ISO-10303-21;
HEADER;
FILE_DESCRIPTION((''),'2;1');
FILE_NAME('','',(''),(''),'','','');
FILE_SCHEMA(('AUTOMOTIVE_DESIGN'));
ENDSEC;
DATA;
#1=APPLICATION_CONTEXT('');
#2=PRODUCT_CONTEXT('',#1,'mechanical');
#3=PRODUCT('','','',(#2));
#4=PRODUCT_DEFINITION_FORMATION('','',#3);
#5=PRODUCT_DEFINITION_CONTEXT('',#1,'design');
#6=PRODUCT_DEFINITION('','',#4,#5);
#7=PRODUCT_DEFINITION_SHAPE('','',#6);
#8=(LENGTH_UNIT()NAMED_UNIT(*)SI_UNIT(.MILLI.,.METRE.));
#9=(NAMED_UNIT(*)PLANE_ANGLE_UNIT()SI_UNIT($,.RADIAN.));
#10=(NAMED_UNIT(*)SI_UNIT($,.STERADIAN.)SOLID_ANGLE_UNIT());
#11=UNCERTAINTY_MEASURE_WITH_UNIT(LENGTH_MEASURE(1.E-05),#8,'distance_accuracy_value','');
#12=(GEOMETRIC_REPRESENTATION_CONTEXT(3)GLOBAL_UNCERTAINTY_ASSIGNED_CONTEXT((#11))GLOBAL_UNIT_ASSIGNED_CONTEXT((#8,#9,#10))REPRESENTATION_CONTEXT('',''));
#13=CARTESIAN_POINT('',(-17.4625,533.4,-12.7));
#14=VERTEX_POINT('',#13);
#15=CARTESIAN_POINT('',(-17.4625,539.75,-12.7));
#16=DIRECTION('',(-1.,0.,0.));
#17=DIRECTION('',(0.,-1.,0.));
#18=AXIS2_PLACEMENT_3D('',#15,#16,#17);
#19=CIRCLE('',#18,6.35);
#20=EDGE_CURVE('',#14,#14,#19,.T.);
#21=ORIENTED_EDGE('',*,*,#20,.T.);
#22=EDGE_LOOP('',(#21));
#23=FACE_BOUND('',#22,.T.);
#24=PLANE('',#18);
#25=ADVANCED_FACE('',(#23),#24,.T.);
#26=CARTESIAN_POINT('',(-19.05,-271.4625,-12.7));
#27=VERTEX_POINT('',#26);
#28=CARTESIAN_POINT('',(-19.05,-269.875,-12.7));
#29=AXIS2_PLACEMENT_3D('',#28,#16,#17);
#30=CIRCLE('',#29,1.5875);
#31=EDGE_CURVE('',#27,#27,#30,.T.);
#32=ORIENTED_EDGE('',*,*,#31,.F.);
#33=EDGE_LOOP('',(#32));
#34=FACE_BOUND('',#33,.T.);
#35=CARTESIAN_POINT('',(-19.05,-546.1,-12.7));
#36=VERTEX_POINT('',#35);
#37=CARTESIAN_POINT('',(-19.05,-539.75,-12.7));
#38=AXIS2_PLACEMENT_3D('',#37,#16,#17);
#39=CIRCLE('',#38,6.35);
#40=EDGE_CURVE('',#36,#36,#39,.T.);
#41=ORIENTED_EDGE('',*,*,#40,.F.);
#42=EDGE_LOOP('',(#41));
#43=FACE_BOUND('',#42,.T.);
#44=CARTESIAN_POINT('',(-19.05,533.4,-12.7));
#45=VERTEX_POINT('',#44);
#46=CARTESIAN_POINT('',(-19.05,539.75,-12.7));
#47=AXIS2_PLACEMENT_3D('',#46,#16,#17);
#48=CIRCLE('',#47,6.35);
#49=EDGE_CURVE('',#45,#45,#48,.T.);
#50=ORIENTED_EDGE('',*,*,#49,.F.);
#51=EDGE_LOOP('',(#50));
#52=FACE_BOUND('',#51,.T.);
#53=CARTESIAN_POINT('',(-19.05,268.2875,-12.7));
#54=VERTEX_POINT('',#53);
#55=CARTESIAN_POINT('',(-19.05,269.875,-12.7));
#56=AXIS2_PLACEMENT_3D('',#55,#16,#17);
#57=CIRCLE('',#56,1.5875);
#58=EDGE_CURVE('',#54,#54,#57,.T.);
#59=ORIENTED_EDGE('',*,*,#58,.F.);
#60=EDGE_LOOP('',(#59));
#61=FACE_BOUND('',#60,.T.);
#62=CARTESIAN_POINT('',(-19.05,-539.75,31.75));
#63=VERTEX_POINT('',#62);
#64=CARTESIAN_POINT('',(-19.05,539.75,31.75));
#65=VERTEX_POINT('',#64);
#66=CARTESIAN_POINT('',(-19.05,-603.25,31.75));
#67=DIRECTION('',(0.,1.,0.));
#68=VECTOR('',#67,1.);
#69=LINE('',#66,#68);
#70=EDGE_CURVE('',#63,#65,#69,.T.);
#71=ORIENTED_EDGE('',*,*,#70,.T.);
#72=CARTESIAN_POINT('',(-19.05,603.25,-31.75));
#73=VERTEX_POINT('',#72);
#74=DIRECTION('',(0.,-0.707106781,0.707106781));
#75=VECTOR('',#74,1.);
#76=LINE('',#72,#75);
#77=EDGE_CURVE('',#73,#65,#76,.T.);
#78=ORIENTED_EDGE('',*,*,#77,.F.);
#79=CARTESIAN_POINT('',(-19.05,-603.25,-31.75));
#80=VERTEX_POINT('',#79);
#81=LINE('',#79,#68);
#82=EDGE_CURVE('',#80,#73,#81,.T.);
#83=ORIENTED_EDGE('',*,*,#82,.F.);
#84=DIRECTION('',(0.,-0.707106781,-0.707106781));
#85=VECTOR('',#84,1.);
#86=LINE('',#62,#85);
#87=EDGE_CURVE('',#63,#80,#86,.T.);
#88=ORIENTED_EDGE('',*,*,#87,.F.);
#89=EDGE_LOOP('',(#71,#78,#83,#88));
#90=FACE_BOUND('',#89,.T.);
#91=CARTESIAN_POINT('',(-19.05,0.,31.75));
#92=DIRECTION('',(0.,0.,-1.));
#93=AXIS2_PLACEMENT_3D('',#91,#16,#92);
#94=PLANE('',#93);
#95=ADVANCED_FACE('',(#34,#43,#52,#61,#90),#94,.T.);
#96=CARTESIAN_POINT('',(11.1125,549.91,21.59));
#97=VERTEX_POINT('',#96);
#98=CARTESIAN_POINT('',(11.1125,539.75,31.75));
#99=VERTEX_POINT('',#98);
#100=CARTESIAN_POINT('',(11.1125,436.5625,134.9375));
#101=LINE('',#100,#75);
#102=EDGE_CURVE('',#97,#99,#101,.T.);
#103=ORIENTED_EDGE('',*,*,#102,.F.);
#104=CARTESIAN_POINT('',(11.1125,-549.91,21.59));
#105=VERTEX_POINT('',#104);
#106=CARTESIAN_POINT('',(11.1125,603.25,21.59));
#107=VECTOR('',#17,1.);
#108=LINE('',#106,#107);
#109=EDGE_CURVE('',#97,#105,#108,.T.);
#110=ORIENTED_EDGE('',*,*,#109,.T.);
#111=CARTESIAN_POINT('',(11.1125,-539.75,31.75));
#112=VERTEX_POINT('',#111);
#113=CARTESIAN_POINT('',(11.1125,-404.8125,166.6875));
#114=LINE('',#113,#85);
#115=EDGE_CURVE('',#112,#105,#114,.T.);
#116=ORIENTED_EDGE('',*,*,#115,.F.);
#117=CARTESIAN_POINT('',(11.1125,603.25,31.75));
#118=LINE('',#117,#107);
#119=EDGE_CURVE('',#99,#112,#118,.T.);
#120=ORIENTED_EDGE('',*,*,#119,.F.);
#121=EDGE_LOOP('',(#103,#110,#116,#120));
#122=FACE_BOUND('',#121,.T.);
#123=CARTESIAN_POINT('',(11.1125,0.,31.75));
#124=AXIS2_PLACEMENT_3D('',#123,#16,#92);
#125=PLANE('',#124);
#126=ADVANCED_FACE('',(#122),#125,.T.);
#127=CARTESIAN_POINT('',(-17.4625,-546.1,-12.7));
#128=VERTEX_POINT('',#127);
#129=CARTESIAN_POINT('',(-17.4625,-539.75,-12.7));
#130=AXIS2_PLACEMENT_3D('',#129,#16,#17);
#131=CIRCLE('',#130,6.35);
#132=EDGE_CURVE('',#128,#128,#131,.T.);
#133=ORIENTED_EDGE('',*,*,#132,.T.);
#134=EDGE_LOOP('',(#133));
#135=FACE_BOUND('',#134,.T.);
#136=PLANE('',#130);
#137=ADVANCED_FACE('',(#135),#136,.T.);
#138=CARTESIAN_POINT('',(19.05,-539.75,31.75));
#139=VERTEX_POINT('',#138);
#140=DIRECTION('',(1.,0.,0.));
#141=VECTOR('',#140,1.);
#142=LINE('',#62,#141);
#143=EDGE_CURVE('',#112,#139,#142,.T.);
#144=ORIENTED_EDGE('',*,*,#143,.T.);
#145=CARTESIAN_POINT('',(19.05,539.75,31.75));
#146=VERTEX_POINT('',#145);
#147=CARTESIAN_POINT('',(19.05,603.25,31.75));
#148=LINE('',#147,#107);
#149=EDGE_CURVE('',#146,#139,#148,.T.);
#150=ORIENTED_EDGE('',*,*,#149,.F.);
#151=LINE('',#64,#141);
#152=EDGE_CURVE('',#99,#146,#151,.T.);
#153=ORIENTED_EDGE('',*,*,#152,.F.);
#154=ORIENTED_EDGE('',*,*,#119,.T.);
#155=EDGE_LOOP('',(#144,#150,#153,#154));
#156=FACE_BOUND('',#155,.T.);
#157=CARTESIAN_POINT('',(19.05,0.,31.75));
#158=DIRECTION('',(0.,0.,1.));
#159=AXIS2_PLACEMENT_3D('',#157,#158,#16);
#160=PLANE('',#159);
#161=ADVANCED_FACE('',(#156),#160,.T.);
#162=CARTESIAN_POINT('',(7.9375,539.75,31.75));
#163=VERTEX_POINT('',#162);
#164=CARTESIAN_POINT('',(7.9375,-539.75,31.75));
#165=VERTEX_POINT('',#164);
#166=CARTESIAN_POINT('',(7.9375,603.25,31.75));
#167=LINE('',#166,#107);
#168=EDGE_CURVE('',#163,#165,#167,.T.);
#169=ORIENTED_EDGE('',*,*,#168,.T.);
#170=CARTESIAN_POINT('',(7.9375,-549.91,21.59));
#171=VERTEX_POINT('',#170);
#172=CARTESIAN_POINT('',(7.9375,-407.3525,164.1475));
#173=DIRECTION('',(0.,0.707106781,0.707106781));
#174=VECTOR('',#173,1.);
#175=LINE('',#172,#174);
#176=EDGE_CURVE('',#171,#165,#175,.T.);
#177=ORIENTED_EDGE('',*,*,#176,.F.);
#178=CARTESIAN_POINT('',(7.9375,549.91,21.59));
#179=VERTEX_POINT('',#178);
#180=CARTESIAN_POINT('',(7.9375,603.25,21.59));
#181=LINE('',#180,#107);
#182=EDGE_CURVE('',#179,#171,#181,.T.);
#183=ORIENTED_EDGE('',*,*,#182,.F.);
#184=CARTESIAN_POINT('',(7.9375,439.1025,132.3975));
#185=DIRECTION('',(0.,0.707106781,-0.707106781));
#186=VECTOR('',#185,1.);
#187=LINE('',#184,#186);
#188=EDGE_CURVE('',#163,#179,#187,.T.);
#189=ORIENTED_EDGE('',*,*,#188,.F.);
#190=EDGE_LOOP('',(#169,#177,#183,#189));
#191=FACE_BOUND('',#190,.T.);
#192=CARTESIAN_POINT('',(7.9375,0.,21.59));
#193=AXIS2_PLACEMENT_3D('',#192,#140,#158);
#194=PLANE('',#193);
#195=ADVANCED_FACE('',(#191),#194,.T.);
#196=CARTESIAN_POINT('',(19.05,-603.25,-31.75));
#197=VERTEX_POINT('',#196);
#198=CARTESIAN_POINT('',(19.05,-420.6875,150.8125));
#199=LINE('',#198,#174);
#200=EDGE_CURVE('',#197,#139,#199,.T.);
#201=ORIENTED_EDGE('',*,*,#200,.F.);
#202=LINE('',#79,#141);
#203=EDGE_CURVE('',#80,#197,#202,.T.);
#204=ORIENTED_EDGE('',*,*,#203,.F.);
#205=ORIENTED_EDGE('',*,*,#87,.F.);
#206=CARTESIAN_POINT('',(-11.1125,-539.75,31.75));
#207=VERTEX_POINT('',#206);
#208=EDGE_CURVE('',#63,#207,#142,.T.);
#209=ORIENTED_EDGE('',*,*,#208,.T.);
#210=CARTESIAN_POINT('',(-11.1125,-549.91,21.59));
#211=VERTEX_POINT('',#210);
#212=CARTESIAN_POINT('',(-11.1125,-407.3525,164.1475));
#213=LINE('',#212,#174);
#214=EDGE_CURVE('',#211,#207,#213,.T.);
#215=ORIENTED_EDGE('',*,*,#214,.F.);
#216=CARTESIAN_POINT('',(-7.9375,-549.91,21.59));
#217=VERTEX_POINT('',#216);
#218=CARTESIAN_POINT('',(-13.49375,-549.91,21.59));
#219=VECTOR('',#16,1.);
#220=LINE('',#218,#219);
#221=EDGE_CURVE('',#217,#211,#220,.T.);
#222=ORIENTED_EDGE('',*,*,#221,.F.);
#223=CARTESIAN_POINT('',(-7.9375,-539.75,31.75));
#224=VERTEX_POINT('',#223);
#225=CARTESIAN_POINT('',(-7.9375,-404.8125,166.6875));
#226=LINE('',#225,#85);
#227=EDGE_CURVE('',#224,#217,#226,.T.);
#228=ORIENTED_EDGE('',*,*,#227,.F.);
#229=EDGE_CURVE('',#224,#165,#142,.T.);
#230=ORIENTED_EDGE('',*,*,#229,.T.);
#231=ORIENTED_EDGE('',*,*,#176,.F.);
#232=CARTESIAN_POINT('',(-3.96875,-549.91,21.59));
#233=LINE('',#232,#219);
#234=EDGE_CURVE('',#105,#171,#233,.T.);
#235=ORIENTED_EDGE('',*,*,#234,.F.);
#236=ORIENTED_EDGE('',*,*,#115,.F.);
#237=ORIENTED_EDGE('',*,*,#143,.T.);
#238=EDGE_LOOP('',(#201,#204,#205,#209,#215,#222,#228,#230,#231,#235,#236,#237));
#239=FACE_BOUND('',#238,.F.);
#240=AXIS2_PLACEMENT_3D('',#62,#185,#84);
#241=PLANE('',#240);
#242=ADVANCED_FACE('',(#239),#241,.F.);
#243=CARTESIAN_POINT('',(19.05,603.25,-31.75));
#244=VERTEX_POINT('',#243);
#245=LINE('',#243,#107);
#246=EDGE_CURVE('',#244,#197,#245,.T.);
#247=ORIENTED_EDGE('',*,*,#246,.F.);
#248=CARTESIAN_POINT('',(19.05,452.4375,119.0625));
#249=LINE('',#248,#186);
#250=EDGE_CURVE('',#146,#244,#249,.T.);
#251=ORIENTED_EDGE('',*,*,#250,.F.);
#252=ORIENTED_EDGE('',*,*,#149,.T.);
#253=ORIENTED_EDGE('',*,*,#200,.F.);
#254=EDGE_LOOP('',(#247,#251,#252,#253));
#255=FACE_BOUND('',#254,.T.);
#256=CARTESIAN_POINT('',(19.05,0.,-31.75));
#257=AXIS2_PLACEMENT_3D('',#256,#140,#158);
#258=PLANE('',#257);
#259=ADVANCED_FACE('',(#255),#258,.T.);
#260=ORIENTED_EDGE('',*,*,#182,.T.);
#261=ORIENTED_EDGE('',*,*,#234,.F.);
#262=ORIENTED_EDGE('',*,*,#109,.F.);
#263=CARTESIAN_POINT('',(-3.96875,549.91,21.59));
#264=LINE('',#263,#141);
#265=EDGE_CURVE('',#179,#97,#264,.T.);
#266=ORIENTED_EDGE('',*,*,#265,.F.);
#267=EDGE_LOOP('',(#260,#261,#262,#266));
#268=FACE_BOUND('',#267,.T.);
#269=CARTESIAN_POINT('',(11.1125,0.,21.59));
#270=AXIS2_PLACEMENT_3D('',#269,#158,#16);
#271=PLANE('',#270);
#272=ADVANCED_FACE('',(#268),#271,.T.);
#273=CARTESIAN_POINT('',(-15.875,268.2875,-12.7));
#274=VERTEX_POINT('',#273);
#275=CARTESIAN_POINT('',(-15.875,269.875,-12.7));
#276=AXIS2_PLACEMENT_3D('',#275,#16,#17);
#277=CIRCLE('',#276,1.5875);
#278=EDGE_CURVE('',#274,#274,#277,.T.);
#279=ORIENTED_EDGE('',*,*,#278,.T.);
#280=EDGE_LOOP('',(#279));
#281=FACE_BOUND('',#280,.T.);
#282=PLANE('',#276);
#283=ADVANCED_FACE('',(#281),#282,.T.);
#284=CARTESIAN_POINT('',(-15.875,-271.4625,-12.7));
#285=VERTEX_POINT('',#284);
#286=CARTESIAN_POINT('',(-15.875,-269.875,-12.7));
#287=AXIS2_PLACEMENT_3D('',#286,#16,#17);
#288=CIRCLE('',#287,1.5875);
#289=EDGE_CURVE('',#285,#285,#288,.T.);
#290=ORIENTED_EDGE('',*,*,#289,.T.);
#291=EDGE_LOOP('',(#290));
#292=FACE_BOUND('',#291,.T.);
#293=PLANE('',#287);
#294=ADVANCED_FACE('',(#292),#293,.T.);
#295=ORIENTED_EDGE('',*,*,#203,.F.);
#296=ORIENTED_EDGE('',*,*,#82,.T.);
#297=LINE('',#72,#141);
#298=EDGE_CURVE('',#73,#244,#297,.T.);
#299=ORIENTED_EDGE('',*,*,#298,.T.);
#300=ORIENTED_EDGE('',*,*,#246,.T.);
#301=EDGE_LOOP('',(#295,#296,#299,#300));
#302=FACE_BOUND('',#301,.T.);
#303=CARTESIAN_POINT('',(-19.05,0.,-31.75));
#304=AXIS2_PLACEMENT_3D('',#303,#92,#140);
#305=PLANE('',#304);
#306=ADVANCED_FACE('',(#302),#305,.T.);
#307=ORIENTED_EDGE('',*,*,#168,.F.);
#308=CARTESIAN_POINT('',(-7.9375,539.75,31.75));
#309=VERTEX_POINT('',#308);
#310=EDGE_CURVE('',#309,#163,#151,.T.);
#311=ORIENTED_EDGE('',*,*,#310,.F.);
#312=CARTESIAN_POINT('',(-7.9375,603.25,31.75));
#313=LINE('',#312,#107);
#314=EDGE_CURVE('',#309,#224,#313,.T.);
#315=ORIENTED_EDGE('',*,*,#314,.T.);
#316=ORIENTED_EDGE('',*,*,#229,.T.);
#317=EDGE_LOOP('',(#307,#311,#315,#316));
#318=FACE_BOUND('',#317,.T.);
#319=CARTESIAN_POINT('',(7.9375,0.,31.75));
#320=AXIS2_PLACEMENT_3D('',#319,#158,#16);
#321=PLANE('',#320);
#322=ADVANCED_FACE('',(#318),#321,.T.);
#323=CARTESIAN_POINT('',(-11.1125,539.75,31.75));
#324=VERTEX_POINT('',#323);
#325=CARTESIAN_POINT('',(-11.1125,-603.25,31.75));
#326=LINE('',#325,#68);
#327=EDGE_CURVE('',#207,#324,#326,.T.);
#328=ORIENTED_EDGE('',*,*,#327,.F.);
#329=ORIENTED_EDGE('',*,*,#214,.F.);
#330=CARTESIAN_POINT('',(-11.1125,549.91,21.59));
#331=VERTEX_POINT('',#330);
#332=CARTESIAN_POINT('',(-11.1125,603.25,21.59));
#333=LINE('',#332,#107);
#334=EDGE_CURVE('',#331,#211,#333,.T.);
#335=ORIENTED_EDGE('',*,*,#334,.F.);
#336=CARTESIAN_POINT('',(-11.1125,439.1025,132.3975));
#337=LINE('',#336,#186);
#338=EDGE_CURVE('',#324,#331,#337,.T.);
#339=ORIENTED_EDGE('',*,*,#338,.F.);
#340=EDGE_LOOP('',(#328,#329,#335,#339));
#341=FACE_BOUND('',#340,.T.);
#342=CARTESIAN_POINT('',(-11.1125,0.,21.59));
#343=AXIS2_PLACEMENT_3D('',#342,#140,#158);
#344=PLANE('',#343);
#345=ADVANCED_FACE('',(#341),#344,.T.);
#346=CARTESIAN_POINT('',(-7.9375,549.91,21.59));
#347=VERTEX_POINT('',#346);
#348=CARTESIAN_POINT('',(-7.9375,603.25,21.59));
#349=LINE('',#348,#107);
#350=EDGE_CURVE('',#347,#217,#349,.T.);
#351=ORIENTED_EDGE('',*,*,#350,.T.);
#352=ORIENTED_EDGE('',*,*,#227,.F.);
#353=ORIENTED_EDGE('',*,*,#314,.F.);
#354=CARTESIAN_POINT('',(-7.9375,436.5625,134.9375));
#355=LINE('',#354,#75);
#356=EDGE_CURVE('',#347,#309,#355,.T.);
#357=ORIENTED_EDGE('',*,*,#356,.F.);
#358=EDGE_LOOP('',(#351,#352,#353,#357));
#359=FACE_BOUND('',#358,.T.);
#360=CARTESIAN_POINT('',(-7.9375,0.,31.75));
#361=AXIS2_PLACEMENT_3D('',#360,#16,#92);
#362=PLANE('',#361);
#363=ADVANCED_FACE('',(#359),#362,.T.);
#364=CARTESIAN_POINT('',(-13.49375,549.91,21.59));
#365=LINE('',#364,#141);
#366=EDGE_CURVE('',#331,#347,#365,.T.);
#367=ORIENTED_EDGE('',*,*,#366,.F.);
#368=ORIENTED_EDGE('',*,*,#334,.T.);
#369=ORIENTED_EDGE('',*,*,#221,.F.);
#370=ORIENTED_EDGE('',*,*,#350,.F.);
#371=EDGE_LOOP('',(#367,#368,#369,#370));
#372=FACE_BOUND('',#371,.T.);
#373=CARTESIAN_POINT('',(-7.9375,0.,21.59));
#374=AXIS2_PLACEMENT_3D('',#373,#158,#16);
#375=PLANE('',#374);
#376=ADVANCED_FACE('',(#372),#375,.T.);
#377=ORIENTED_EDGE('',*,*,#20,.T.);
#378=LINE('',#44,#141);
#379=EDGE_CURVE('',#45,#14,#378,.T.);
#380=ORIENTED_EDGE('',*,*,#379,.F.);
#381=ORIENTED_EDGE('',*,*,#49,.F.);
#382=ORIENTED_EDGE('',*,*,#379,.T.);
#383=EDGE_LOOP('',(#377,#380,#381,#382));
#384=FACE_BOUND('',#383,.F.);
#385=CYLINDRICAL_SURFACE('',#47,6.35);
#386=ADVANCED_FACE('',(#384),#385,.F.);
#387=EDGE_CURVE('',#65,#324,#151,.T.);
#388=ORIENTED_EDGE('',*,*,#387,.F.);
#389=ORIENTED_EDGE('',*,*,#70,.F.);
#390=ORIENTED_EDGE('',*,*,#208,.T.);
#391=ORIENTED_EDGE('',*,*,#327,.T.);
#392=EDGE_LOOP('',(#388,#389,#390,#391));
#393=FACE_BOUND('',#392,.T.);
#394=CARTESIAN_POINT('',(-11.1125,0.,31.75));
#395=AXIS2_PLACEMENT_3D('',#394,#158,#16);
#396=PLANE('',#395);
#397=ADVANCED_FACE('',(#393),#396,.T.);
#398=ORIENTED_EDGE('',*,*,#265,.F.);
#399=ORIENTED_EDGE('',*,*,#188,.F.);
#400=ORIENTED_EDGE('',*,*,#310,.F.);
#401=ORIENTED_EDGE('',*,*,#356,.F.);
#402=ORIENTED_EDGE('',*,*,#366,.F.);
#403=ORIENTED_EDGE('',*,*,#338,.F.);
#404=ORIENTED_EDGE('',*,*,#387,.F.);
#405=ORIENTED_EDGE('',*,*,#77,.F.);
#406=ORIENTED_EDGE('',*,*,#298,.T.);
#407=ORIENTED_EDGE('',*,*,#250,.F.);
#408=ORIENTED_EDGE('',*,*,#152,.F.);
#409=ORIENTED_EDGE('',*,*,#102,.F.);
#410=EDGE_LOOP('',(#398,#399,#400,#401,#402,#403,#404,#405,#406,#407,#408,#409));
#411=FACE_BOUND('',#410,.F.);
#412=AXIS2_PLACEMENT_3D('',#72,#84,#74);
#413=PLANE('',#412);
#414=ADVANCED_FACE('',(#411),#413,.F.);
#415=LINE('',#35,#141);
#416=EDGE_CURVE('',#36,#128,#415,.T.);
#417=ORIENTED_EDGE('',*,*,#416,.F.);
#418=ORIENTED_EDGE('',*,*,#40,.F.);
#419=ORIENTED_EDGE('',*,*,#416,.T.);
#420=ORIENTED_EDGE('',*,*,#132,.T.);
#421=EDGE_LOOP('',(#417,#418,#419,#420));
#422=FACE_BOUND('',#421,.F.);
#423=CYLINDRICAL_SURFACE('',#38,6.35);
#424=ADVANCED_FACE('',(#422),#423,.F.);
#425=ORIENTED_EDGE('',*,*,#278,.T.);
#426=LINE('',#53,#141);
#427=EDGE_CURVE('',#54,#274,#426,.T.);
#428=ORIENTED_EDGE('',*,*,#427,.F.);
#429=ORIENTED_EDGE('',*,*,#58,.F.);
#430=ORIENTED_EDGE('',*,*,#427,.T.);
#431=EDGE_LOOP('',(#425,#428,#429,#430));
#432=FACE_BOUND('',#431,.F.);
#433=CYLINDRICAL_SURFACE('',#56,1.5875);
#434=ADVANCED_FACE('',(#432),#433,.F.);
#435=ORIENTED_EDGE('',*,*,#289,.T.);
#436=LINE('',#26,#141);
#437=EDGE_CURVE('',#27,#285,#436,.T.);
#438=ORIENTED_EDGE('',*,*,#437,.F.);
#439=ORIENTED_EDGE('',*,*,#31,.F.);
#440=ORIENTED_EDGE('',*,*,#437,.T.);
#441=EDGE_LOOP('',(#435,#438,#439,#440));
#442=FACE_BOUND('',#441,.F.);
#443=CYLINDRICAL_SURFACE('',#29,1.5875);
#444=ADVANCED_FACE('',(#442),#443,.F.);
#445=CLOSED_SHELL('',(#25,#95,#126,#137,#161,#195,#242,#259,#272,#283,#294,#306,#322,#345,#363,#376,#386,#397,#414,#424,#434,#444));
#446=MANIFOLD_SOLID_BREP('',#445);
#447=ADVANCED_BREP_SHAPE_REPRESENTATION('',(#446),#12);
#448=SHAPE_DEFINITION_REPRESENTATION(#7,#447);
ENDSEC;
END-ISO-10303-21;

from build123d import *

# Parameters (mm, degrees)
F1_DEPTH = 603.25
F3_DEPTH = 38.101
F4_R     = 6.35
F5_DEPTH = 1.5875
F6_R     = 1.5875
F7_DEPTH = 3.175


with BuildPart() as f1:
    # F0 (on Front) → F1 (new body, symmetric)
    with BuildSketch(Plane.XZ):
        Polygon((-19.05, -31.75), (19.05, -31.75), (19.05, 31.75), (11.1125, 31.75), (11.1125, 21.59), (7.9375, 21.59), (7.9375, 31.75), (-7.9375, 31.75), (-7.9375, 21.59), (-11.1125, 21.59), (-11.1125, 31.75), (-19.05, 31.75), align=None)
    extrude(amount=F1_DEPTH, both=True)

    # F2 (on face) → F3 (cut, through all)
    with BuildSketch(Plane(origin=(-19.05, 0, 0), x_dir=(0, -1, 0), z_dir=(-1, 0, 0))):
        Polygon((539.75, 31.75), (603.25, -31.75), (603.25, 31.75), align=None)
        Polygon((-603.25, 31.75), (-603.25, -31.75), (-539.75, 31.75), align=None)
    extrude(amount=-F3_DEPTH, mode=Mode.SUBTRACT)

    # F4 (on face) → F5 (cut)
    with BuildSketch(Plane(origin=(-19.05, 0, 0), x_dir=(0, -1, 0), z_dir=(-1, 0, 0))):
        with Locations((539.75, -12.7)):
            Circle(F4_R)
        with Locations((-539.75, -12.7)):
            Circle(F4_R)
    extrude(amount=-F5_DEPTH, mode=Mode.SUBTRACT)

    # F6 (on face) → F7 (cut)
    with BuildSketch(Plane(origin=(-19.05, 0, 0), x_dir=(0, -1, 0), z_dir=(-1, 0, 0))):
        with Locations((269.875, -12.7)):
            Circle(F6_R)
        with Locations((-269.875, -12.7)):
            Circle(F6_R)
    extrude(amount=-F7_DEPTH, mode=Mode.SUBTRACT)


solid = f1.part
